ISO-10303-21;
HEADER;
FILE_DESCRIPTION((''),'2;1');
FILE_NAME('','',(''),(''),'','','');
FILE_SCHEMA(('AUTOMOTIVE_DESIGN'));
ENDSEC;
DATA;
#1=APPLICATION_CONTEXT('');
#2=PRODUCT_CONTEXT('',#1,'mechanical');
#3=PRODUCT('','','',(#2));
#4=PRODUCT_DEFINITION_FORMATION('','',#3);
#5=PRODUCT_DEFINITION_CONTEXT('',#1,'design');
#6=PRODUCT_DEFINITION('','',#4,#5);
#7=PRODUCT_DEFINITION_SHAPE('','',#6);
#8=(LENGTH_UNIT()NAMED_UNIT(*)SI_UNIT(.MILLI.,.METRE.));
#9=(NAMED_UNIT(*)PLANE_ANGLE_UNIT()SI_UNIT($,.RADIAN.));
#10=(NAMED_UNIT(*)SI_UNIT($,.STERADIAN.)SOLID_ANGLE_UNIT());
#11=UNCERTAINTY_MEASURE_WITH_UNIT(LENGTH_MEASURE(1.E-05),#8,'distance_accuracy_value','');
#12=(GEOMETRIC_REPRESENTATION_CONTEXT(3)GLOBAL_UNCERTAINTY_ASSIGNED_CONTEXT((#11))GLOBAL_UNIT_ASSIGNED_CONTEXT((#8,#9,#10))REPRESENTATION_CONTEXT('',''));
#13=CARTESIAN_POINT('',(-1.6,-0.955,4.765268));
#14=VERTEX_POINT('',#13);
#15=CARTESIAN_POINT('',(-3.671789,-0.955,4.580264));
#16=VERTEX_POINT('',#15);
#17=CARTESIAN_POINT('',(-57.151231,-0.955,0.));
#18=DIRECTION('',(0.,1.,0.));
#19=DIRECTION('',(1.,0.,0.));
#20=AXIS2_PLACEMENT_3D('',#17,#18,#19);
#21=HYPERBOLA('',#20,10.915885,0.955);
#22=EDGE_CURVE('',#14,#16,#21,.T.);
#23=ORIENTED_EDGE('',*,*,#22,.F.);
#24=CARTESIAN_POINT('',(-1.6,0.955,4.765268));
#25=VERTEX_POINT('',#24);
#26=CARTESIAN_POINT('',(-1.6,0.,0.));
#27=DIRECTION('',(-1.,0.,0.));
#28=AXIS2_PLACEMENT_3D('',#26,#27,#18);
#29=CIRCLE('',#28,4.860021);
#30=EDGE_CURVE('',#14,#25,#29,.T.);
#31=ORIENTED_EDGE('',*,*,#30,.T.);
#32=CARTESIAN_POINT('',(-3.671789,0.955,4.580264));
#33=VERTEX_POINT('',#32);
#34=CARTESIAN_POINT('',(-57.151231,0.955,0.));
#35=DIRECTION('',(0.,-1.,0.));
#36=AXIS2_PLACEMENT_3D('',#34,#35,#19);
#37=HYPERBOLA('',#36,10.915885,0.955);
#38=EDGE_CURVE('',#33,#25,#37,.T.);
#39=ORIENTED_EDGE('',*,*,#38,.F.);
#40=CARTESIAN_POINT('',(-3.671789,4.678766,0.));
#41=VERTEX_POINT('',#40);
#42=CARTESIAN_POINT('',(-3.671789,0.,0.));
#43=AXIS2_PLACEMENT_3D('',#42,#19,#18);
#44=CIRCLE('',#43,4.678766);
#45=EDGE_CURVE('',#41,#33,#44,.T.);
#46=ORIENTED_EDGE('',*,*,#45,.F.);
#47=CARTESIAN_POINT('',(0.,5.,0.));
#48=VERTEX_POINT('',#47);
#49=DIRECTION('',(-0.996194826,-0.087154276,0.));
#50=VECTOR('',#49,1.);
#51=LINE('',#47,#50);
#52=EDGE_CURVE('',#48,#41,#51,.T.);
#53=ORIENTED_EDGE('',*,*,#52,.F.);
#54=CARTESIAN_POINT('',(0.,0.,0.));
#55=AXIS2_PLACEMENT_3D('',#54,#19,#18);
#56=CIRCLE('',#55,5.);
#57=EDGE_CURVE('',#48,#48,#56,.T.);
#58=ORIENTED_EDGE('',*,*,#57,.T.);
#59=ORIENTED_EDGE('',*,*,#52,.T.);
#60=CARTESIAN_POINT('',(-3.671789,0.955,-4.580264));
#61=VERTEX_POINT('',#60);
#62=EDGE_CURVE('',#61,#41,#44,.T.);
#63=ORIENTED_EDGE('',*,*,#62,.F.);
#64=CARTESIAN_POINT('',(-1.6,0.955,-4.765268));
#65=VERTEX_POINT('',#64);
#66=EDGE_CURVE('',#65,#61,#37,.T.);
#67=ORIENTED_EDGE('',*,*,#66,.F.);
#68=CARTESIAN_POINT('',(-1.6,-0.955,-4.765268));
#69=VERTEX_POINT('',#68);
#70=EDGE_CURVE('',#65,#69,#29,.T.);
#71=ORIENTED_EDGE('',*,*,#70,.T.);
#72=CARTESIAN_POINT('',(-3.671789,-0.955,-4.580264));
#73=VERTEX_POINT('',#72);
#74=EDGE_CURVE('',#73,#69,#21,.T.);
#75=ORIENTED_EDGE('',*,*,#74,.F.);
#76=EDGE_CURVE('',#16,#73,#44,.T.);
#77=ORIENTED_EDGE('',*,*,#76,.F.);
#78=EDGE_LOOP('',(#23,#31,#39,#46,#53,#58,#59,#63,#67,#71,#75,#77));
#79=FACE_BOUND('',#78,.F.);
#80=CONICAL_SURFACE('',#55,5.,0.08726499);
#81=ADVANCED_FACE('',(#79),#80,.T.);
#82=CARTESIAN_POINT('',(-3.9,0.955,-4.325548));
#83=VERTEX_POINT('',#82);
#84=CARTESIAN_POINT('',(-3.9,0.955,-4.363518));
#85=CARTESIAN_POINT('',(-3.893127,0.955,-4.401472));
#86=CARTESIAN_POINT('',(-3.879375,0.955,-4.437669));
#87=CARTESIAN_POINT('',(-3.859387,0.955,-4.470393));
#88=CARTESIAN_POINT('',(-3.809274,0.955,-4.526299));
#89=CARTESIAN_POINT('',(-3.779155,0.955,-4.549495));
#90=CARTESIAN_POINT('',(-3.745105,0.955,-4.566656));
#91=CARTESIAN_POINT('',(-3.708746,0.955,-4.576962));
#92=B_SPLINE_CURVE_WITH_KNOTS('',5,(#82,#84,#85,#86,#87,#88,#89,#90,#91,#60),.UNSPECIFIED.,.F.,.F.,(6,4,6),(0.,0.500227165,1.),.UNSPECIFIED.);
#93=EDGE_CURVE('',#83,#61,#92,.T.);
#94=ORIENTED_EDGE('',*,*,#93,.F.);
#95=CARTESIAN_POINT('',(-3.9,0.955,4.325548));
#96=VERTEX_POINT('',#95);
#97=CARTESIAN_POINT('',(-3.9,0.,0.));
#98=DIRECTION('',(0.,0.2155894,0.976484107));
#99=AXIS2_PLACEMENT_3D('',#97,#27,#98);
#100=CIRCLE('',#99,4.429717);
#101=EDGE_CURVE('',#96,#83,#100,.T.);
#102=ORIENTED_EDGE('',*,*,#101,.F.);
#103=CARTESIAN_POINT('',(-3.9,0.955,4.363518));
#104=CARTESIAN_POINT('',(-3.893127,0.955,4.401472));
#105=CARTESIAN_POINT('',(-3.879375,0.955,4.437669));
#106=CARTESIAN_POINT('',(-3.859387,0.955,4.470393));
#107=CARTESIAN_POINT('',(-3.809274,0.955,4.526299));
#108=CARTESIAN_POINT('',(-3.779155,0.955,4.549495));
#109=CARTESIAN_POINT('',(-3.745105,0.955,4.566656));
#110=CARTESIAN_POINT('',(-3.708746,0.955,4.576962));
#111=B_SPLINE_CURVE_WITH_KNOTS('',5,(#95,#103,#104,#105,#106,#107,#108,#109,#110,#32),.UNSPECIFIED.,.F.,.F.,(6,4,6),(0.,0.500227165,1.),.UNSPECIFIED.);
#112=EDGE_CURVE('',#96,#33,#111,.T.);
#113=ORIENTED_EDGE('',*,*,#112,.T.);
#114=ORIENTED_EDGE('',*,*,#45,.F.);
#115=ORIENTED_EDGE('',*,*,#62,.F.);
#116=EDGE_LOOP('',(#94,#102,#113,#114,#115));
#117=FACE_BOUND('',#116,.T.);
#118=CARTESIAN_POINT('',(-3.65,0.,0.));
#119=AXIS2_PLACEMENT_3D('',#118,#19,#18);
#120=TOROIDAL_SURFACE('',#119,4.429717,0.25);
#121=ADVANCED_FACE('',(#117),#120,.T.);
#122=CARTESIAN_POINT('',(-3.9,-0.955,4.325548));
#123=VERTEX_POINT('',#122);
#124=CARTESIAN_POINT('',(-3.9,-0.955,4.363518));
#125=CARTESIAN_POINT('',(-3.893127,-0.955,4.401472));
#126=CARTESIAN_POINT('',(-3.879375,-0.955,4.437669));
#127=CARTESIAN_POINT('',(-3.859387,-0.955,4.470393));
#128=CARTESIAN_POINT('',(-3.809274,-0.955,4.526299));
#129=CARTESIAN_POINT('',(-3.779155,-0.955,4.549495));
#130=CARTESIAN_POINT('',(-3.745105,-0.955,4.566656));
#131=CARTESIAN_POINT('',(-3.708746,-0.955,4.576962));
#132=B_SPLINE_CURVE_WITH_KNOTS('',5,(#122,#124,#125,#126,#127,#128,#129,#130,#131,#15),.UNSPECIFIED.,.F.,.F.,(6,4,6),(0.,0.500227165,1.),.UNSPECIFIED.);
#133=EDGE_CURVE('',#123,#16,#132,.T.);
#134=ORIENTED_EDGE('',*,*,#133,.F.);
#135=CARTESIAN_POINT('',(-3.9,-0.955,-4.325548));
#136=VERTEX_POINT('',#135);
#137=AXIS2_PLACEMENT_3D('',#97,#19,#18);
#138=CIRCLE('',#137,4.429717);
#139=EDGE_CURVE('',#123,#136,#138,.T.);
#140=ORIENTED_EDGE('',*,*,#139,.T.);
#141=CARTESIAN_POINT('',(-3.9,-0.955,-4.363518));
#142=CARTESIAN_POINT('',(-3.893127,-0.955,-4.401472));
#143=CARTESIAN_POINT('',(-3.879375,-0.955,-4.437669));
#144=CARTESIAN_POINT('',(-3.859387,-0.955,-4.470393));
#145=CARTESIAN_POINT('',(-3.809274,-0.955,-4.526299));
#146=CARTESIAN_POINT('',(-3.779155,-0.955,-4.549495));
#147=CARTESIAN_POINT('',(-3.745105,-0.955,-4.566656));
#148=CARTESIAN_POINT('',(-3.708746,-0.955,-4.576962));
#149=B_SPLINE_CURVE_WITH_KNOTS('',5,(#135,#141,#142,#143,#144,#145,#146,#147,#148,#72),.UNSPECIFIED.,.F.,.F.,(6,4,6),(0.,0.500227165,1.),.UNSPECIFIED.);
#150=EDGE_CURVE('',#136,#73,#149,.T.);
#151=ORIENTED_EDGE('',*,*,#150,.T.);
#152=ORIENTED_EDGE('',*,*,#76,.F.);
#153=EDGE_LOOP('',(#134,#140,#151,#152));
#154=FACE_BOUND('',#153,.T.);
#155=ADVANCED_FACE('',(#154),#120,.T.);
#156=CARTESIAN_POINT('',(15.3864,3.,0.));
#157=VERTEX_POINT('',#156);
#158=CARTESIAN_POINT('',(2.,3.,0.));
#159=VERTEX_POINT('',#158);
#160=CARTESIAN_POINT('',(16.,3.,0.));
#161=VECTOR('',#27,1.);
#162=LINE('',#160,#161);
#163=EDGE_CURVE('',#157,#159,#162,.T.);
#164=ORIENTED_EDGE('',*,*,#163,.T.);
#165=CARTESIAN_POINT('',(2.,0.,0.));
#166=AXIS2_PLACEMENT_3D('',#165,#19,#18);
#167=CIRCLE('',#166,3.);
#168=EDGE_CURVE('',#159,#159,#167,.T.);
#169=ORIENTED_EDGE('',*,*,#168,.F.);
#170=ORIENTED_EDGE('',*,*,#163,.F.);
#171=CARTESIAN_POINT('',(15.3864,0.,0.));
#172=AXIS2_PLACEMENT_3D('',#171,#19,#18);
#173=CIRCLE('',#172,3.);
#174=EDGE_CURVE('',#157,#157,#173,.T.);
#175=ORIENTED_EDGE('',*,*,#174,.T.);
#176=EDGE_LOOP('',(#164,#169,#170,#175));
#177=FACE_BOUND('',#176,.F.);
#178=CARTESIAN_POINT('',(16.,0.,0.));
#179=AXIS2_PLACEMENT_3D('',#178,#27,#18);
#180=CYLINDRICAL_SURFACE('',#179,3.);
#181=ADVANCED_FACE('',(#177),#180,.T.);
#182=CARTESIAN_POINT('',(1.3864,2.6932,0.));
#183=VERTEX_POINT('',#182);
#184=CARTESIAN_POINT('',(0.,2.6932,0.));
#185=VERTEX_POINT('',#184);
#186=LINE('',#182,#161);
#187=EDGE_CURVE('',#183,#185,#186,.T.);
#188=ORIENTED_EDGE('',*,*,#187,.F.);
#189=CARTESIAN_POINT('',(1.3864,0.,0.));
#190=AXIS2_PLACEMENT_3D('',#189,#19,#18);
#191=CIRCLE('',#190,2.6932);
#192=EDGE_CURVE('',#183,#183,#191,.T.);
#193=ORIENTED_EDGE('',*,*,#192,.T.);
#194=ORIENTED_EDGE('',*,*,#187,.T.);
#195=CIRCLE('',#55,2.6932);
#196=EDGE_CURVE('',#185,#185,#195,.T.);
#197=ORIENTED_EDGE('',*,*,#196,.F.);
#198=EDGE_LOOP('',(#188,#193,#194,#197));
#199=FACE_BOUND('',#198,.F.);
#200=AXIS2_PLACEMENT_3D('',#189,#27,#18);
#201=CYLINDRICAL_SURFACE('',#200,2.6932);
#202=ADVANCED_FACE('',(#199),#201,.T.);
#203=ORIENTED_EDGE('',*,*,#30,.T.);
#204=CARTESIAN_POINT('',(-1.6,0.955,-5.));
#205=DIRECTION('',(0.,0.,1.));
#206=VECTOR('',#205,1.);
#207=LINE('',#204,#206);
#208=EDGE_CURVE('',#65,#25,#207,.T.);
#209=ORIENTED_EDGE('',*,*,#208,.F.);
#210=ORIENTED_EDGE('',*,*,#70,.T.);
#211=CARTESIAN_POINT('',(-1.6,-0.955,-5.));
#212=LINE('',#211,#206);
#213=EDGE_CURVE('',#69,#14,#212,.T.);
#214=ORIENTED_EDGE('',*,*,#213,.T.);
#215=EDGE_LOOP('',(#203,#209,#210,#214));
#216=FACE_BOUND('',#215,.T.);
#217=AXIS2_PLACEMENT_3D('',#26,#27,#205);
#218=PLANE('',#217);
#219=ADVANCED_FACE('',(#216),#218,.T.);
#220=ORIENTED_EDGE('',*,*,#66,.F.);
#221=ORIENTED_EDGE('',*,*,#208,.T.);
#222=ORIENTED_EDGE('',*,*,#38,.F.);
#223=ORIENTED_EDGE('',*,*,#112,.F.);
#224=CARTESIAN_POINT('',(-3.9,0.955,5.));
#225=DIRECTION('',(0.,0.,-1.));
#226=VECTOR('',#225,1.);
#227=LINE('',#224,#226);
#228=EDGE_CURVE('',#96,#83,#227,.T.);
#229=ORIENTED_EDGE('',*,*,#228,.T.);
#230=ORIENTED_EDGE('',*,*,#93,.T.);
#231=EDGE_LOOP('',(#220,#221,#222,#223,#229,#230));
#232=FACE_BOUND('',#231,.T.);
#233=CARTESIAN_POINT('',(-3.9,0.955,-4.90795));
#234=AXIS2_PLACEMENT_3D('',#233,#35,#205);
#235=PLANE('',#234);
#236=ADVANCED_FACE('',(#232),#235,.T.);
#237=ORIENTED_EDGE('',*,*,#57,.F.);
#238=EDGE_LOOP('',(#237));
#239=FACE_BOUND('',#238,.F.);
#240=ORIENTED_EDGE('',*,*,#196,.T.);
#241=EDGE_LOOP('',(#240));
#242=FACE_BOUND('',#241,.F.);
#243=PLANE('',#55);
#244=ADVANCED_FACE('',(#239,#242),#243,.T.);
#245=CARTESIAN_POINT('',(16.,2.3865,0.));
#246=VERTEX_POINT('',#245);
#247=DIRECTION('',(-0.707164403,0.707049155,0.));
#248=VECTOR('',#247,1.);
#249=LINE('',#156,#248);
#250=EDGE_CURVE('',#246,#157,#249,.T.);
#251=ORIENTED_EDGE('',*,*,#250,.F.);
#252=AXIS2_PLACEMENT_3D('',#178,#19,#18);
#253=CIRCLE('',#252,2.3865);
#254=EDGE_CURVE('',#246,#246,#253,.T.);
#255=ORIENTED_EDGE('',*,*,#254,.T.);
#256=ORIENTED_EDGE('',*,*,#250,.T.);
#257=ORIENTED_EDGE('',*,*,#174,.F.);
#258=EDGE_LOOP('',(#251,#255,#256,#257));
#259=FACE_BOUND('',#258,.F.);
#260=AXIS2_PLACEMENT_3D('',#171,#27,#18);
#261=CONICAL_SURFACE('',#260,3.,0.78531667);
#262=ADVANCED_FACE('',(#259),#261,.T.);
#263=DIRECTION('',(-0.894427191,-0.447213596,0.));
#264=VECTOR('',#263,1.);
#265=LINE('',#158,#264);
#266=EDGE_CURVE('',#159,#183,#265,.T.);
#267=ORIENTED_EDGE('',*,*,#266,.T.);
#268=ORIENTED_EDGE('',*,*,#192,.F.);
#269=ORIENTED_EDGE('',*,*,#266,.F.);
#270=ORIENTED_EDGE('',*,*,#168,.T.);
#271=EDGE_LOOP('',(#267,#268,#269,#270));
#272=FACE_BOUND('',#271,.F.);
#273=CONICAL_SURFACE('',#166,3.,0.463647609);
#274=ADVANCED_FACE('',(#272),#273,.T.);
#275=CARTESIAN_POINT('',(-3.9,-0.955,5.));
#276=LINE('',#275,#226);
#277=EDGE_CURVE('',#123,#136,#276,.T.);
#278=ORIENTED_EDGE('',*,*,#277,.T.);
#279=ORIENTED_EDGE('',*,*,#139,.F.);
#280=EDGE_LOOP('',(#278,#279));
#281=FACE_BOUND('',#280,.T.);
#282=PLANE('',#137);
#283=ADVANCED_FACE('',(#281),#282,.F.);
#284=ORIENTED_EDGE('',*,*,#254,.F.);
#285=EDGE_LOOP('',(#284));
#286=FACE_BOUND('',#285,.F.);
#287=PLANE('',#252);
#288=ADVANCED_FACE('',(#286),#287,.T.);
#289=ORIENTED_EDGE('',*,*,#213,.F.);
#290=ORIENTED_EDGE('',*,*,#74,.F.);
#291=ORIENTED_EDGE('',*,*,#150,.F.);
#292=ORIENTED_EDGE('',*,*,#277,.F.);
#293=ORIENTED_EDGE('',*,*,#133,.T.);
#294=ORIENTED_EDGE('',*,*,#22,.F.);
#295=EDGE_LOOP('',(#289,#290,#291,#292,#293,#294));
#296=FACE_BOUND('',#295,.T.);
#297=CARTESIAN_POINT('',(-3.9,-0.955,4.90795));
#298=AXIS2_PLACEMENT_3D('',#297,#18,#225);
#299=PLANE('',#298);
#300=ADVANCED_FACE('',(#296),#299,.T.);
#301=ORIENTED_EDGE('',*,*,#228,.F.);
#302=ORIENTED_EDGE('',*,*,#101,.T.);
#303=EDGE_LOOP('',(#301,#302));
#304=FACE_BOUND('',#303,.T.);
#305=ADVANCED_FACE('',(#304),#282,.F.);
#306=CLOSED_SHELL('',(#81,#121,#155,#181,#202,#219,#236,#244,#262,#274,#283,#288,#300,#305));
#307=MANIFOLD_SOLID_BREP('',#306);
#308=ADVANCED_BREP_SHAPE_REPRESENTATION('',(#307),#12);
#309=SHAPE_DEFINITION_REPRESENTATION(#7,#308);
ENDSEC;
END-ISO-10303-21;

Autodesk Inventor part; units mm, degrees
ref_plane "YZ Plane" through (0, 0, 0) normal (1, 0, 0) x (0, 1, 0)
ref_plane "XZ Plane" through (0, 0, 0) normal (0, 1, 0) x (-1, 0, 0)
sketch "Sketch1" plane through (0, 0, 0) normal (0, 0, 1) x (1, 0, 0)
  line L0 (-3.9, 0) -> (16, 0)
  line L1 (16, 0) -> (16, 3)
  line L2 (16, 3) -> (2, 3)
  line L3 (2, 3) -> (1.3864, 2.6932)
  line L4 (1.3864, 2.6932) -> (0, 2.6932)
  line L5 (0, 2.6932) -> (0, 5)
  line L6 (-7.88, 0) -> (19.98, 0) projected
  line L7 (0, -1) -> (0, 6) projected
  line L8 (-3.9, 0) -> (-3.9, 4.6588)
  line L9 (0, 5) -> (-3.9, 4.6588)
  line L10 (2, 3) -> (0, 3) construction
  dimension "d0" = 16
  dimension "d1" = 14
  dimension "d2" = 0.6136
  dimension "d3" = 3.9
  dimension "d4" = 6
  dimension "d5" = 5.3865
  dimension "d9" = 10
  dimension "d10" = 5
revolve "Body" add sketch "Sketch1" angle 360 about axis through (-3.9, 0, 0) along (1, 0, 0)
sketch "Sketch2" plane through (-3.9, 0, 0) normal (-1, 0, 0) x (0, 0, 1)
  circle A0 centre (0, 0) radius 5 projected
  line L0 (0, 0) -> (0, 4.6588) projected
  line L1 (-5, 0.955) -> (5, 0.955)
  line L2 (5, 0.955) -> (5, -0.955)
  line L3 (5, -0.955) -> (-5, -0.955)
  line L4 (-5, -0.955) -> (-5, 0.955)
  line L5 (-5, 0) -> (5, 0) construction
  line L6 (0, 0.955) -> (0, -0.955) construction
  dimension "d11" = 1.91
  dimension "d12" = 10
fillet "Fillet1" radius 0.25 1 edges at (-3.9, -4.6588, 0)
extrude "Slot" cut sketch "Sketch2" against normal blind 2.3 contours A0 L3 L1 | L2 L3 A0 | A0 L1 L2 | A0 L4 L1 | L3 L4 A0
thread "Thread" size "M6x1" class "6g" standard "ISO Metric profile" length 14
chamfer "Chamfer1" distance 0.6135 distance2 0.6136 1 edges at (16, -3, 0) measured on face at (16, -0.1205, 0.8773)
ref_plane "Work Plane1" through (30.1625, 0, 0) normal (0, 0, -1) x (1, 0, 0)
equation "\"d11\" = SBR"
equation "\"d12\" = KOD"
equation "\"d19\" = STI"
equation "\"d14\" = RR"
equation "\"d15\" = GEL"
equation "\"d17\" = -0.5 * SPD + 0.5 * GD"
equation "\"d0\" = NLG"
equation "\"d1\" = GEL"
equation "\"d3\" = KOH"
equation "\"d4\" = GD"
equation "\"d5\" = BDM"
equation "\"d9\" = KOD"
equation "\"d10\" = KEWI"
equation "\"GD\" = NND"
equation "\"NLG\" = 16"
equation "\"GEL\" = 14"
equation "\"KOD\" = 10"
equation "\"KOH\" = 3.9"
equation "\"GAL\" = 0.61345 * PTC"
equation "\"SPD\" = NND - 1.2269 * PTC"
equation "\"BDM\" = 5.3865"
equation "\"GUL\" = 0.61345 * PTC"
equation "\"RR\" = 0.25"
equation "\"SBR\" = 1.91"
equation "\"STI\" = 2.3"
equation "\"KEWI\" = 5deg"
equation "\"PTC\" = 1"
equation "\"THREADDIA\" = 6"
equation "\"TOA\" = 30deg"
equation "\"NND\" = 6"
equation "\"GD1\" = THREADDIA - 1.2269 * PTC"
properties part number "BS 4183 - M6 x 16" material "Nylon 6/6"
